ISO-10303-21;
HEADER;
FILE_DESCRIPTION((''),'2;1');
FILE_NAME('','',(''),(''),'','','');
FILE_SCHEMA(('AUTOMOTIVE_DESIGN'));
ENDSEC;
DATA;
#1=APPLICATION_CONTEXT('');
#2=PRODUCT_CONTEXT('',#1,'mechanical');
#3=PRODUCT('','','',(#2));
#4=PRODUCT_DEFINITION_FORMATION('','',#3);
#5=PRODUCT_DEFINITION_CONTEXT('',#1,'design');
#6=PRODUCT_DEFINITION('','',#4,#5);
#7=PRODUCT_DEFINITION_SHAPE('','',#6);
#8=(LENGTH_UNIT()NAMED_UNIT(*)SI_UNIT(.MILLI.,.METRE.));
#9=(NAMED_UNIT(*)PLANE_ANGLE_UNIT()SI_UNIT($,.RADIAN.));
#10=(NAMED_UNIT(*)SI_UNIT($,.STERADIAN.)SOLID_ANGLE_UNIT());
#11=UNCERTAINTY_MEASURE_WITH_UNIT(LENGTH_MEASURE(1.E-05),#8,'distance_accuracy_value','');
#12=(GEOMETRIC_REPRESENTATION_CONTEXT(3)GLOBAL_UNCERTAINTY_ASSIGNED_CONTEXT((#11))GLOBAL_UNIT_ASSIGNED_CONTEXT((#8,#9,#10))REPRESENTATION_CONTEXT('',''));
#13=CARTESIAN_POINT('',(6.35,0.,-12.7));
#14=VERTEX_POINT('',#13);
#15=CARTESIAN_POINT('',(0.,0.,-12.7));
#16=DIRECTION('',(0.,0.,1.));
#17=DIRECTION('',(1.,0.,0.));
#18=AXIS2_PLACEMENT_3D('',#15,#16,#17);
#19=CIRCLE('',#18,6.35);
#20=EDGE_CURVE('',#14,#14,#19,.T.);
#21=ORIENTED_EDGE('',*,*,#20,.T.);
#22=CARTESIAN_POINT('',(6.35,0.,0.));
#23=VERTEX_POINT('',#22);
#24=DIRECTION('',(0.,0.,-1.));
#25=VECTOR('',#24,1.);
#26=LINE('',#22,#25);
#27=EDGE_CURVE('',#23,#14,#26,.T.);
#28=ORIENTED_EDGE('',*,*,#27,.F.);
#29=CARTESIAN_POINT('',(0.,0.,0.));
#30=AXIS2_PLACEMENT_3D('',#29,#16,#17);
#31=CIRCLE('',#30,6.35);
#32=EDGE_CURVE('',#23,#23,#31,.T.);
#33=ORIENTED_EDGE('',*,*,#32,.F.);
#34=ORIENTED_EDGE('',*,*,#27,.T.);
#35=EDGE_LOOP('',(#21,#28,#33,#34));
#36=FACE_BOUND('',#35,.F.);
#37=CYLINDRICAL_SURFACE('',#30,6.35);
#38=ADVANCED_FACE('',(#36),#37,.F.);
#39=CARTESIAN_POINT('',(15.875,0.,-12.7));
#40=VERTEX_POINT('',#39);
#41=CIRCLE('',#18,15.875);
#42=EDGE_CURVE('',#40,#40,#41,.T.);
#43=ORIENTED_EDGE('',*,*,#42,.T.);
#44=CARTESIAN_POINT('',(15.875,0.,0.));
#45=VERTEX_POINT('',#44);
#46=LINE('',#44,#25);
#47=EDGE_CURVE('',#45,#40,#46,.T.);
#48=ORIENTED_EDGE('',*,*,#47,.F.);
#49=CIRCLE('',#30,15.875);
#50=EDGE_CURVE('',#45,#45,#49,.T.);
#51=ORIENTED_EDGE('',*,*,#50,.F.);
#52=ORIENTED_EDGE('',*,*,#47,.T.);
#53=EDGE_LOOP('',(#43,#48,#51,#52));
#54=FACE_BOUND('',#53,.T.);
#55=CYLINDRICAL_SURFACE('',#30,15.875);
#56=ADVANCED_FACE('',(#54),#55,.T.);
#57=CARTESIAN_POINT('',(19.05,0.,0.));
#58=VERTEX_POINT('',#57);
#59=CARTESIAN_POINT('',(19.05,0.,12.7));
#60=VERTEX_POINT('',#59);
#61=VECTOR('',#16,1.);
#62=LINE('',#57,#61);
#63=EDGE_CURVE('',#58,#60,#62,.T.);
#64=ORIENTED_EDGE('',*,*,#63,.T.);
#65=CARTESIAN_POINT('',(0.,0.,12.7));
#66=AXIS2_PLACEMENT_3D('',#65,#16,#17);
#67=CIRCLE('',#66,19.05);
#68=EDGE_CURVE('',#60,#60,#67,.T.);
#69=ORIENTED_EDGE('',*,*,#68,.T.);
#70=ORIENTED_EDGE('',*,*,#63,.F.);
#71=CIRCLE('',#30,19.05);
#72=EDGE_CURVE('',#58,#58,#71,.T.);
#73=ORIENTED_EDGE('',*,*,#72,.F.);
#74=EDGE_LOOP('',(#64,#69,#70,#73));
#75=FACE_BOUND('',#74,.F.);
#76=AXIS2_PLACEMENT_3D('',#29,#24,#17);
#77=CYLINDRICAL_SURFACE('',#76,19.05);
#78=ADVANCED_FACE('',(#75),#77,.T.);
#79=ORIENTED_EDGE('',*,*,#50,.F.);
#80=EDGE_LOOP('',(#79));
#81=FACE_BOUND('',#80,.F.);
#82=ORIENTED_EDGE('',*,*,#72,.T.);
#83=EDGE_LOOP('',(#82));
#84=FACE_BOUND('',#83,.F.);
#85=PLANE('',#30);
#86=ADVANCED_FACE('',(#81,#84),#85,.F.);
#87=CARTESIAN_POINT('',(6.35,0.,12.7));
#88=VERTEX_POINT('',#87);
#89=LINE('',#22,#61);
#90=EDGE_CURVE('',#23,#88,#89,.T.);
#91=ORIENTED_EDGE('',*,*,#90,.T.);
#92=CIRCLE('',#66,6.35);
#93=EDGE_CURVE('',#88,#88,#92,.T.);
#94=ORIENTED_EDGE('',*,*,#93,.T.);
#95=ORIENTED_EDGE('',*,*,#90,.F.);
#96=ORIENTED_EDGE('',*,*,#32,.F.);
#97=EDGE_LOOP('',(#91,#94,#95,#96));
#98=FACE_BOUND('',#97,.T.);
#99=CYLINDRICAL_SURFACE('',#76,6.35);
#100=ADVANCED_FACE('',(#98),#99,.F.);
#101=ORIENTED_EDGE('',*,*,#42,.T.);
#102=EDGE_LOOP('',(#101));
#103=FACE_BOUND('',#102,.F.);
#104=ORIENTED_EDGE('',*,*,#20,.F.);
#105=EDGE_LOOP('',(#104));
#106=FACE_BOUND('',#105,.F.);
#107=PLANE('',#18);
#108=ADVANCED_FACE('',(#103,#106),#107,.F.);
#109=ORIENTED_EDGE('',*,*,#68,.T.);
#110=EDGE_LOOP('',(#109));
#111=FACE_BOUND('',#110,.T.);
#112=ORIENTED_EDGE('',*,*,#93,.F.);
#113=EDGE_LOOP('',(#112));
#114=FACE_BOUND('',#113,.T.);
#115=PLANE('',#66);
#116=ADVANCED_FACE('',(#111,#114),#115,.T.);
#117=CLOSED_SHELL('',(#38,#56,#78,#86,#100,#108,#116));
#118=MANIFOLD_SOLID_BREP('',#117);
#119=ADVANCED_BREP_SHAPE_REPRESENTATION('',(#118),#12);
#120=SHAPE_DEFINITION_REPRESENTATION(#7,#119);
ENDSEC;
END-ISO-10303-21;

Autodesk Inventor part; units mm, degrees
ref_plane "YZ Plane" through (0, 0, 0) normal (1, 0, 0) x (0, 1, 0)
ref_plane "XZ Plane" through (0, 0, 0) normal (0, 1, 0) x (-1, 0, 0)
ref_plane "XY Plane" through (0, 0, 0) normal (0, 0, 1) x (1, 0, 0)
sketch "Sketch1" plane through (0, 0, 0) normal (0, 0, 1) x (1, 0, 0)
  circle A0 centre (0, 0) radius 19.05
  circle A1 centre (0, 0) radius 15.875
  circle A2 centre (0, 0) radius 6.35
  dimension "d0" = 38.1
  dimension "d1" = 31.75
  dimension "d2" = 12.7
extrude "Extrusion1" add sketch "Sketch1" against normal blind 12.7 contours A1
extrude "Extrusion2" add sketch "Sketch1" along normal blind 12.7 contours A0 | A1
properties part number "smaller gear"
